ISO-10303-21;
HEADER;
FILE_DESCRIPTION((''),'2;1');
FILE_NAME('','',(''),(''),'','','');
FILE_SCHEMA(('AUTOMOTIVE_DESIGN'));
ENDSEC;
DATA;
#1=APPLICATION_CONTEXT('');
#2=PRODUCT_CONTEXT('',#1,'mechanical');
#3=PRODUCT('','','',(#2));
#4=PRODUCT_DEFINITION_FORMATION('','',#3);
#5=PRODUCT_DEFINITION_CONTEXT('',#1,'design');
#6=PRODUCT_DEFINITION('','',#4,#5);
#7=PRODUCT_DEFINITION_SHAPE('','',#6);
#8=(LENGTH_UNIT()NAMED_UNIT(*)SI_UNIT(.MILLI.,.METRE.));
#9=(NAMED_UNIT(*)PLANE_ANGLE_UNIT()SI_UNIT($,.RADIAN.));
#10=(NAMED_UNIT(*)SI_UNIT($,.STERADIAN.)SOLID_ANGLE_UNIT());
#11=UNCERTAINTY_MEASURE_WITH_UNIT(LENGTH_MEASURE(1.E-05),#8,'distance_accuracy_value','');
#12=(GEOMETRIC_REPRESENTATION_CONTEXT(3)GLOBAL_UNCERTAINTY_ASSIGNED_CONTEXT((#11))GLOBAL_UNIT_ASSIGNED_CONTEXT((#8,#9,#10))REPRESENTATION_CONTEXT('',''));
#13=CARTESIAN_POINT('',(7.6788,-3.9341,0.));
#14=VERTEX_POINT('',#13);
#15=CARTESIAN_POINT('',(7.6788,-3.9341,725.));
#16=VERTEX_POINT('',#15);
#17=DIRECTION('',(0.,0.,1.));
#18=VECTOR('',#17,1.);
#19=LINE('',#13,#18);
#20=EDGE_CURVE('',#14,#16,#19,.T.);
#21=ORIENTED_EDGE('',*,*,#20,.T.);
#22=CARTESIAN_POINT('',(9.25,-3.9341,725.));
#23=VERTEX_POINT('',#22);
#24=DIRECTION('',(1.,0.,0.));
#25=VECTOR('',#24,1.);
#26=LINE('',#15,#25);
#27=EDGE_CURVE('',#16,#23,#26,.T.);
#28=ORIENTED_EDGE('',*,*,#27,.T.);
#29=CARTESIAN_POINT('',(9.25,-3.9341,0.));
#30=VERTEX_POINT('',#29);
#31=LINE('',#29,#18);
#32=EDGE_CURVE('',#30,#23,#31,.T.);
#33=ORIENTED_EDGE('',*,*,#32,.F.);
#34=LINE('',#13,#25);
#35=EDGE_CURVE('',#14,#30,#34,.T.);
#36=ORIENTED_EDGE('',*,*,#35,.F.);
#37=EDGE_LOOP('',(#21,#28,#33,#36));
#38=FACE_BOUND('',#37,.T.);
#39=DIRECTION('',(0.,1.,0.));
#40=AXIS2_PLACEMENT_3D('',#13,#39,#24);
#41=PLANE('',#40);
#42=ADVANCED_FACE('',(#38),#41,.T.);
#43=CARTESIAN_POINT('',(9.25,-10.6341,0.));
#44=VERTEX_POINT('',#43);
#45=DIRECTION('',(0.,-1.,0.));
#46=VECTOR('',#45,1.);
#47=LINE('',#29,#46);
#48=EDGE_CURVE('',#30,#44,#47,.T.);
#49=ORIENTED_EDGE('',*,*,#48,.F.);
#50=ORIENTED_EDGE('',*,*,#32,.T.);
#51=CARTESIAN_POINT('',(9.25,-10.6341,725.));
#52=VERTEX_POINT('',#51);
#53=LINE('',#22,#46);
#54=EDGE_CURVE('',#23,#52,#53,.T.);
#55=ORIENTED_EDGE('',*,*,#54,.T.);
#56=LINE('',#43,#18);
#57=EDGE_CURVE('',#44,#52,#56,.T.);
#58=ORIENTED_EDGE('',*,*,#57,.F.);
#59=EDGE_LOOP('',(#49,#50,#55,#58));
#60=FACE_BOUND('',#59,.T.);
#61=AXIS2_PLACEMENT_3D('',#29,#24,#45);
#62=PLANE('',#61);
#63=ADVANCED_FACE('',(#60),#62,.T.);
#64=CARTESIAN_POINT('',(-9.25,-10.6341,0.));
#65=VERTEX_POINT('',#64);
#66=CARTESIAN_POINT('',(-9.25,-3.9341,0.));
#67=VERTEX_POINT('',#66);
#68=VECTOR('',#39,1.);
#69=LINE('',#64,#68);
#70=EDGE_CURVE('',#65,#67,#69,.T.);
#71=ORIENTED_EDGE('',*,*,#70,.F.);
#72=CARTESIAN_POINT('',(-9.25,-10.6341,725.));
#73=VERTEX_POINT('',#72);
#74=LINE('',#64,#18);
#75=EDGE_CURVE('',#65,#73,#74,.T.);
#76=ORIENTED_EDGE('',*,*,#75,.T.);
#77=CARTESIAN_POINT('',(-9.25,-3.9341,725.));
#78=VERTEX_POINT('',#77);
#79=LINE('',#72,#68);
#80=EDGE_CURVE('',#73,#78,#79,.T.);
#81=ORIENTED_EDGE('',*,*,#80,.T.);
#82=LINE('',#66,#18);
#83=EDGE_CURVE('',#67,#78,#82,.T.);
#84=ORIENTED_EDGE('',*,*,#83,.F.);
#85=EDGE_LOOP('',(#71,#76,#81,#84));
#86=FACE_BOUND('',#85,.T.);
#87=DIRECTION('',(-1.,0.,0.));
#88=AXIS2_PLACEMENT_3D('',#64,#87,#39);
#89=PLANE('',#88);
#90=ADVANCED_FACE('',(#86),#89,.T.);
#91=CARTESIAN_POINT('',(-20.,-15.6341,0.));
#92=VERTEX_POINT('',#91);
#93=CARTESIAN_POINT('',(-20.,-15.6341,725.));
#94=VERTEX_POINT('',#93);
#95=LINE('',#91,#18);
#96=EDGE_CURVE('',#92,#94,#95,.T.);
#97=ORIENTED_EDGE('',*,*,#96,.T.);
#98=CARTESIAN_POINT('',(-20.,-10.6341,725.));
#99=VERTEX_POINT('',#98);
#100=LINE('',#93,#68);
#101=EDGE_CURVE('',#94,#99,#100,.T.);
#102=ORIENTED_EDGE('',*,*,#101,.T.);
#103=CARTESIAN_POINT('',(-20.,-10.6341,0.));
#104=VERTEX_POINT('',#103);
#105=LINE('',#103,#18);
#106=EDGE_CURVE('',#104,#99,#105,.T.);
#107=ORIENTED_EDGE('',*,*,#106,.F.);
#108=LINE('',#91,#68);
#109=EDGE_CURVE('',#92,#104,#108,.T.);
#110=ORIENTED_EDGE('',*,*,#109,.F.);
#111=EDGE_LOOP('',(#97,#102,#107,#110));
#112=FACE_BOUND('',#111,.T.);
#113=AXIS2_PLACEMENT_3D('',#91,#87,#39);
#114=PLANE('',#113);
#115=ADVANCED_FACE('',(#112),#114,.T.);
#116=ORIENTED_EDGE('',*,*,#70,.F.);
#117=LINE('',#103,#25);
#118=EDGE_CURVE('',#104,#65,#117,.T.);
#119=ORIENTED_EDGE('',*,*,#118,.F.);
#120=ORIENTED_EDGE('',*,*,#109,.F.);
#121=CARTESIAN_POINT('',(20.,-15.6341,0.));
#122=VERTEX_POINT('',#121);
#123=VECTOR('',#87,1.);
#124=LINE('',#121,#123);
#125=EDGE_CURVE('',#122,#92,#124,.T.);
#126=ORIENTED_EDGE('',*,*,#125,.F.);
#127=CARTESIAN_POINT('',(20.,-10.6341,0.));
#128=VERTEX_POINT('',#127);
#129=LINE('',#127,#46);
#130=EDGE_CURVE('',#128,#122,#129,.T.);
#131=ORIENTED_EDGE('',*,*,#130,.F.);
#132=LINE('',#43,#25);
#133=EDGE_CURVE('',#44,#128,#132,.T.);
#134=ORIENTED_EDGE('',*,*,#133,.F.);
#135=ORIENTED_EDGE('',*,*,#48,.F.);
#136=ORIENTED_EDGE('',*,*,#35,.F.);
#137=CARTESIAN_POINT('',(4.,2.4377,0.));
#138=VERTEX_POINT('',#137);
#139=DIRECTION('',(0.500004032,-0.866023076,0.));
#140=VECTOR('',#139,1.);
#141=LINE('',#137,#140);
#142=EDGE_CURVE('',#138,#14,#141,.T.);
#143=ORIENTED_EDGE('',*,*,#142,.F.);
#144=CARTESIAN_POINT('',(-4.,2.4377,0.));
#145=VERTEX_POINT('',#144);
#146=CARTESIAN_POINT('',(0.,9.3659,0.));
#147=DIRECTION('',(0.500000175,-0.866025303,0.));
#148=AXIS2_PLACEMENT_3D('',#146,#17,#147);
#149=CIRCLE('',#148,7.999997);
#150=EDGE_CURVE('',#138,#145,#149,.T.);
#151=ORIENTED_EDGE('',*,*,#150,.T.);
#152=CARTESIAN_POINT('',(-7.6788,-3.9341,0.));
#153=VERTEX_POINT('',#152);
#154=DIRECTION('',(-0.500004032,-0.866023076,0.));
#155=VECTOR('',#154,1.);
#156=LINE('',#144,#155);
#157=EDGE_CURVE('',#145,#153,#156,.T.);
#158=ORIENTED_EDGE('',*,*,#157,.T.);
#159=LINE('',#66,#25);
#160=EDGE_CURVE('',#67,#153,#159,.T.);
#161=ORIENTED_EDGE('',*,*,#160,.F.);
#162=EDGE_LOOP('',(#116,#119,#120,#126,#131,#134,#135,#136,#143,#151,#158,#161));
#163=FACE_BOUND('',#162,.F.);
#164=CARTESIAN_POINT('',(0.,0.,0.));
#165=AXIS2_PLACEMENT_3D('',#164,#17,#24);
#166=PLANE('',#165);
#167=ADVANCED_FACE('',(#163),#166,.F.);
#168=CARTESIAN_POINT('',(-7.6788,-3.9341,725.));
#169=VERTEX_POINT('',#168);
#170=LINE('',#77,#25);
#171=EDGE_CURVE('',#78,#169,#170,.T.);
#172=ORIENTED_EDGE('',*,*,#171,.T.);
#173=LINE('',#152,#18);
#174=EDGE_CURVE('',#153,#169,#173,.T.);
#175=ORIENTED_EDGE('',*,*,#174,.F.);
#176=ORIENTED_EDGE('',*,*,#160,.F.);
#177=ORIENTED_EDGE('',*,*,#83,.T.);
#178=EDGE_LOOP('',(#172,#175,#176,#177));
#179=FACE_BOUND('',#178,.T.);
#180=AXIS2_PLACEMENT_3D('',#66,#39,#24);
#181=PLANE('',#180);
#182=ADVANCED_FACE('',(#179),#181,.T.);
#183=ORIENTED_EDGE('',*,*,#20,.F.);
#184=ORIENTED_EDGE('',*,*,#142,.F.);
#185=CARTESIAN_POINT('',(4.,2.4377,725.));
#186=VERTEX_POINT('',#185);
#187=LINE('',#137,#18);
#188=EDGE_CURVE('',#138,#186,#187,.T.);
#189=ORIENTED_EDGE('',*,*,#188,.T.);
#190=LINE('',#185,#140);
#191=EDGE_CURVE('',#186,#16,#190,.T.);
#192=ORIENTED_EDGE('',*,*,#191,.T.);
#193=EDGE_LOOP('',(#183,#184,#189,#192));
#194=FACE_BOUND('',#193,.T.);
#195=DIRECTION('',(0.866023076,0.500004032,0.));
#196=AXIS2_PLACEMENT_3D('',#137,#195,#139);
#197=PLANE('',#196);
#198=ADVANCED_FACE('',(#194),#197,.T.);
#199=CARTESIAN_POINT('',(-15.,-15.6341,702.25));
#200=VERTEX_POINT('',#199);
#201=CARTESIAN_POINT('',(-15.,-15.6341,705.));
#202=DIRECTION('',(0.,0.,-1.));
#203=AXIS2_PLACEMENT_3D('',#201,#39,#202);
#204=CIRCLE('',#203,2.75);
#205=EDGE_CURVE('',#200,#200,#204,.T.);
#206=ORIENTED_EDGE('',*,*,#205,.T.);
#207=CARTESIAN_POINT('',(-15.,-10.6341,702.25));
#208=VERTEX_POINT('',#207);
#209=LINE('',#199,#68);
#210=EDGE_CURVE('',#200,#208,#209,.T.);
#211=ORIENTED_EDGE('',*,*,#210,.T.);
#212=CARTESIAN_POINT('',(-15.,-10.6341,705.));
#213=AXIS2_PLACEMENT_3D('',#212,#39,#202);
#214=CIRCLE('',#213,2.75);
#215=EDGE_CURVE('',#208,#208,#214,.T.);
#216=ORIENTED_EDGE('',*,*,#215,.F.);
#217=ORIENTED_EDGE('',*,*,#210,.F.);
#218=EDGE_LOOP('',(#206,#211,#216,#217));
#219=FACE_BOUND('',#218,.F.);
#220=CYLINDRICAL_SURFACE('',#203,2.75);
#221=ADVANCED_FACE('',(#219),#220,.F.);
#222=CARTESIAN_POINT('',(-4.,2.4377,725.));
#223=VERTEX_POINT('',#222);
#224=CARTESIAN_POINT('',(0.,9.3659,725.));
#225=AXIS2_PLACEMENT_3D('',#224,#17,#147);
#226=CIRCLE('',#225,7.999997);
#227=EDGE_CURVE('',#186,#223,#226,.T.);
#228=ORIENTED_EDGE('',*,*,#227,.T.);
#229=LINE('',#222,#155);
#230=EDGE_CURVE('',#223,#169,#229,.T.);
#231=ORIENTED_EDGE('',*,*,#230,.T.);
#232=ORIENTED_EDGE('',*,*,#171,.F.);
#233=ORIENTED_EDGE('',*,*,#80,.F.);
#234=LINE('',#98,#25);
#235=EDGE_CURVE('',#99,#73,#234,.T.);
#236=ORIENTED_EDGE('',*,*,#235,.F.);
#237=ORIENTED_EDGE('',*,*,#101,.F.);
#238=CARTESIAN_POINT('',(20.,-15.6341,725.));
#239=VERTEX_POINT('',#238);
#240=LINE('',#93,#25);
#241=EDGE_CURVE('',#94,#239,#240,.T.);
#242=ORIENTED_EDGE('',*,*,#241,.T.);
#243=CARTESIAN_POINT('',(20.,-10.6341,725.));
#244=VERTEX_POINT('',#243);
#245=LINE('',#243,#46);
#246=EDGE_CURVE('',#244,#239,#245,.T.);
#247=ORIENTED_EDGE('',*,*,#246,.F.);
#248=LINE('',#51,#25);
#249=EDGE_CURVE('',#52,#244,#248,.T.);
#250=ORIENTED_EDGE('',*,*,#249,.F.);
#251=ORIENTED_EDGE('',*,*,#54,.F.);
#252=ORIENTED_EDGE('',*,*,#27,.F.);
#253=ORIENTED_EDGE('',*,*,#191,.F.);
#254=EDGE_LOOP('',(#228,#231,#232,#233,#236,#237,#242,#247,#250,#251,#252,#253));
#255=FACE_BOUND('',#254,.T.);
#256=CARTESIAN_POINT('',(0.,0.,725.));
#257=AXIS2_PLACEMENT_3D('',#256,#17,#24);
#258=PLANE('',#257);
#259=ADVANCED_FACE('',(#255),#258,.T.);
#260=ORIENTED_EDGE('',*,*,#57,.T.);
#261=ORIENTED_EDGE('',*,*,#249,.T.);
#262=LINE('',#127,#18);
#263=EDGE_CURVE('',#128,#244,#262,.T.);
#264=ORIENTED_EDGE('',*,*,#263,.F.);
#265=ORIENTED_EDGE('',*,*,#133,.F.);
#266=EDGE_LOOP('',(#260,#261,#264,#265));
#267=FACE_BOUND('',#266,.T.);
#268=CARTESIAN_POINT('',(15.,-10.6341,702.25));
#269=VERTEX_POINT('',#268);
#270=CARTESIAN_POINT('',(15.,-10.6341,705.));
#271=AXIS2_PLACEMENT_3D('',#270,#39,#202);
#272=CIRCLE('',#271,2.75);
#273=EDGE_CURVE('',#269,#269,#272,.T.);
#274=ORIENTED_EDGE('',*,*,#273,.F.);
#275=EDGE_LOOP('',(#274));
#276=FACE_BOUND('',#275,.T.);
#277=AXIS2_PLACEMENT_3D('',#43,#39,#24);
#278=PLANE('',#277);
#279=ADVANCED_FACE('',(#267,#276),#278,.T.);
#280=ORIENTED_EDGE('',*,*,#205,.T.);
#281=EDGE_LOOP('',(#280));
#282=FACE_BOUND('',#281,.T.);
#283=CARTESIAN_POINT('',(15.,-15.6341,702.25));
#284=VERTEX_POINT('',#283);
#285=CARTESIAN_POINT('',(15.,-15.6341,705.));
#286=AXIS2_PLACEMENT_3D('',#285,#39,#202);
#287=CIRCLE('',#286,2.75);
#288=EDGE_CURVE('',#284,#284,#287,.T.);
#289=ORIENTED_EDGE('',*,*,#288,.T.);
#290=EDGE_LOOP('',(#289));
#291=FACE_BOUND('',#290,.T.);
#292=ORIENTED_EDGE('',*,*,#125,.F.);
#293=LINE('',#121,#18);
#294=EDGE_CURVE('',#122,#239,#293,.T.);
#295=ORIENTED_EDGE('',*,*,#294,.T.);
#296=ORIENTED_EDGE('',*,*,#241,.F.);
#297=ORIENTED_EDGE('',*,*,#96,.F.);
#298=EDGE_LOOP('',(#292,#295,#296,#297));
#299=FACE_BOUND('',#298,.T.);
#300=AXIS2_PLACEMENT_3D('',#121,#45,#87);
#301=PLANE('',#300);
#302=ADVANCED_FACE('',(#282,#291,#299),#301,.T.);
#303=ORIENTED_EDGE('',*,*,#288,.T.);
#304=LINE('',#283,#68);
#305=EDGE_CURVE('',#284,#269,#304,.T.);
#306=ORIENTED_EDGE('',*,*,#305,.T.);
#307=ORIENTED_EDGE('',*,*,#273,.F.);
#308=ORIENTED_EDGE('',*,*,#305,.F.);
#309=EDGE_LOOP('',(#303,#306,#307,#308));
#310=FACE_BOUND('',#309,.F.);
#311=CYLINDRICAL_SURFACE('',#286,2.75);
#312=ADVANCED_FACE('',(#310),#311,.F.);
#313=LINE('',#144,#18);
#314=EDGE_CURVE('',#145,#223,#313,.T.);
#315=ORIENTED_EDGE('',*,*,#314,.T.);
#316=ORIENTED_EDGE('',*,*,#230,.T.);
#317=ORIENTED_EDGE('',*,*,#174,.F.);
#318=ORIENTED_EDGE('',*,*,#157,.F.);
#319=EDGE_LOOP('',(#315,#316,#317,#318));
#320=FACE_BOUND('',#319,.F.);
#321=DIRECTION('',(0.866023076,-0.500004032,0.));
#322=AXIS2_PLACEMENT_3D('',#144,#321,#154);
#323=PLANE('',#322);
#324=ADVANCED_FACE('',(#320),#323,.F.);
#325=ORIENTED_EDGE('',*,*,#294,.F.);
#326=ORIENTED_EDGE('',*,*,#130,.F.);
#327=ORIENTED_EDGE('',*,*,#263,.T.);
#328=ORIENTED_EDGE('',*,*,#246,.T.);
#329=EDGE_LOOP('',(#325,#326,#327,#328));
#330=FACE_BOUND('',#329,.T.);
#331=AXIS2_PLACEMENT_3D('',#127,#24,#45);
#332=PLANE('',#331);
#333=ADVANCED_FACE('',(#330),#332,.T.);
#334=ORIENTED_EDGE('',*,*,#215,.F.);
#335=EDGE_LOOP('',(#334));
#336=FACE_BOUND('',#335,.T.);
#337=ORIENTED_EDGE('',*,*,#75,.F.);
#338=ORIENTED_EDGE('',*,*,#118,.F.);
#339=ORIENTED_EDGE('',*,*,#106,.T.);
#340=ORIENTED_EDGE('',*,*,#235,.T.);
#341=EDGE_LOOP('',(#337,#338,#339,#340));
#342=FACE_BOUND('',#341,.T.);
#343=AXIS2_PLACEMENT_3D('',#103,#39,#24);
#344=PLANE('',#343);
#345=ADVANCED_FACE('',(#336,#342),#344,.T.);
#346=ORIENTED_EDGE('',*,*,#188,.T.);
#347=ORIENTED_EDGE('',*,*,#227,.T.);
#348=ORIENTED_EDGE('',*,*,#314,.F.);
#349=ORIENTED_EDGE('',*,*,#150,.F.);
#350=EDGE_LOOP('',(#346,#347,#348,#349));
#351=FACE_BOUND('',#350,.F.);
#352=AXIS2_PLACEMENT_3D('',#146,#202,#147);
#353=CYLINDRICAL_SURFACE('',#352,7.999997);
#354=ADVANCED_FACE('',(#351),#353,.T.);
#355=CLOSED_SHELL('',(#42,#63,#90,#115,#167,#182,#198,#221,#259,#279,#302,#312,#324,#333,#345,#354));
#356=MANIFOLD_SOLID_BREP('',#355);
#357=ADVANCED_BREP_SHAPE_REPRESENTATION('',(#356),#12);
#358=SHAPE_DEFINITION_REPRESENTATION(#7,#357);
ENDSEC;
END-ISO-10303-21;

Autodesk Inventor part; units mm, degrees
ref_plane "YZ Plane" through (0, 0, 0) normal (1, 0, 0) x (0, 1, 0)
ref_plane "XZ Plane" through (0, 0, 0) normal (0, 1, 0) x (-1, 0, 0)
ref_plane "XY Plane" through (0, 0, 0) normal (0, 0, 1) x (1, 0, 0)
sketch "Esboço1" plane through (0, 0, 0) normal (0, 0, 1) x (1, 0, 0)
  arc A0 (4, 2.4377) -> (-4, 2.4377) centre (0, 9.3659) ccw
  line L0 (9.25, -3.9341) -> (9.25, -10.6341)
  line L1 (-9.25, -10.6341) -> (-9.25, -3.9341)
  line L2 (4, -15.6341) -> (-4, -15.6341)
  line L3 (20, -15.6341) -> (-20, -15.6341)
  line L4 (-20, -15.6341) -> (-20, -10.6341)
  line L5 (20, -10.6341) -> (20, -15.6341)
  line L6 (7.6788, -3.9341) -> (9.25, -3.9341)
  line L7 (-9.25, -3.9341) -> (-7.6788, -3.9341)
  line L8 (9.25, -10.6341) -> (20, -10.6341)
  line L9 (-20, -10.6341) -> (-9.25, -10.6341)
  line L10 (-4, 2.4377) -> (-7.6788, -3.9341)
  line L11 (-17.4151, -20.798) -> (-22.4188, -29.4646)
  line L12 (17.4151, -20.798) -> (23.6527, -31.6017)
  line L13 (9.25, -15.6341) -> (4, -15.6341)
  line L14 (0, -15.6341) -> (-9.25, -15.6341)
  line L15 (4, 2.4377) -> (7.6788, -3.9341)
  dimension "d6" = 16
  dimension "d7" = 25
  dimension "d8" = 18.5
  dimension "d9" = 11.7
  dimension "d10" = 8
  dimension "d13" = 5
  dimension "d14" = 40
extrude "Extrusão1" add sketch "Esboço1" along normal blind 725
sketch "Esboço3" plane through (-20, -15.6341, 0) normal (0, -1, 0) x (1, 0, 0)
  line L0 (0, 725) -> (40, 725) construction
  line L1 (20, 725) -> (20, 0) construction
  line L2 (20, 705) -> (5, 705) construction
  line L3 (5, 705) -> (20, 705) construction
  line L4 (20, 705) -> (35, 705) construction
  circle A0 centre (5, 705) radius 2.75
  circle A1 centre (35, 705) radius 2.75
  line L5 (40, 0) -> (0, 0) construction
  dimension "d18" = 15
  dimension "d19" = 15
  dimension "d20" = 5.5
  dimension "d21" = 5.5
  dimension "d22" = 20
hole "Furo1" at (-15, -15.6341, 705) at (15, -15.6341, 705) direction (0, 1, 0) diameter 5.5 depth 8 tip angle 118
properties part number "SBR16_EIXO_X_2"
